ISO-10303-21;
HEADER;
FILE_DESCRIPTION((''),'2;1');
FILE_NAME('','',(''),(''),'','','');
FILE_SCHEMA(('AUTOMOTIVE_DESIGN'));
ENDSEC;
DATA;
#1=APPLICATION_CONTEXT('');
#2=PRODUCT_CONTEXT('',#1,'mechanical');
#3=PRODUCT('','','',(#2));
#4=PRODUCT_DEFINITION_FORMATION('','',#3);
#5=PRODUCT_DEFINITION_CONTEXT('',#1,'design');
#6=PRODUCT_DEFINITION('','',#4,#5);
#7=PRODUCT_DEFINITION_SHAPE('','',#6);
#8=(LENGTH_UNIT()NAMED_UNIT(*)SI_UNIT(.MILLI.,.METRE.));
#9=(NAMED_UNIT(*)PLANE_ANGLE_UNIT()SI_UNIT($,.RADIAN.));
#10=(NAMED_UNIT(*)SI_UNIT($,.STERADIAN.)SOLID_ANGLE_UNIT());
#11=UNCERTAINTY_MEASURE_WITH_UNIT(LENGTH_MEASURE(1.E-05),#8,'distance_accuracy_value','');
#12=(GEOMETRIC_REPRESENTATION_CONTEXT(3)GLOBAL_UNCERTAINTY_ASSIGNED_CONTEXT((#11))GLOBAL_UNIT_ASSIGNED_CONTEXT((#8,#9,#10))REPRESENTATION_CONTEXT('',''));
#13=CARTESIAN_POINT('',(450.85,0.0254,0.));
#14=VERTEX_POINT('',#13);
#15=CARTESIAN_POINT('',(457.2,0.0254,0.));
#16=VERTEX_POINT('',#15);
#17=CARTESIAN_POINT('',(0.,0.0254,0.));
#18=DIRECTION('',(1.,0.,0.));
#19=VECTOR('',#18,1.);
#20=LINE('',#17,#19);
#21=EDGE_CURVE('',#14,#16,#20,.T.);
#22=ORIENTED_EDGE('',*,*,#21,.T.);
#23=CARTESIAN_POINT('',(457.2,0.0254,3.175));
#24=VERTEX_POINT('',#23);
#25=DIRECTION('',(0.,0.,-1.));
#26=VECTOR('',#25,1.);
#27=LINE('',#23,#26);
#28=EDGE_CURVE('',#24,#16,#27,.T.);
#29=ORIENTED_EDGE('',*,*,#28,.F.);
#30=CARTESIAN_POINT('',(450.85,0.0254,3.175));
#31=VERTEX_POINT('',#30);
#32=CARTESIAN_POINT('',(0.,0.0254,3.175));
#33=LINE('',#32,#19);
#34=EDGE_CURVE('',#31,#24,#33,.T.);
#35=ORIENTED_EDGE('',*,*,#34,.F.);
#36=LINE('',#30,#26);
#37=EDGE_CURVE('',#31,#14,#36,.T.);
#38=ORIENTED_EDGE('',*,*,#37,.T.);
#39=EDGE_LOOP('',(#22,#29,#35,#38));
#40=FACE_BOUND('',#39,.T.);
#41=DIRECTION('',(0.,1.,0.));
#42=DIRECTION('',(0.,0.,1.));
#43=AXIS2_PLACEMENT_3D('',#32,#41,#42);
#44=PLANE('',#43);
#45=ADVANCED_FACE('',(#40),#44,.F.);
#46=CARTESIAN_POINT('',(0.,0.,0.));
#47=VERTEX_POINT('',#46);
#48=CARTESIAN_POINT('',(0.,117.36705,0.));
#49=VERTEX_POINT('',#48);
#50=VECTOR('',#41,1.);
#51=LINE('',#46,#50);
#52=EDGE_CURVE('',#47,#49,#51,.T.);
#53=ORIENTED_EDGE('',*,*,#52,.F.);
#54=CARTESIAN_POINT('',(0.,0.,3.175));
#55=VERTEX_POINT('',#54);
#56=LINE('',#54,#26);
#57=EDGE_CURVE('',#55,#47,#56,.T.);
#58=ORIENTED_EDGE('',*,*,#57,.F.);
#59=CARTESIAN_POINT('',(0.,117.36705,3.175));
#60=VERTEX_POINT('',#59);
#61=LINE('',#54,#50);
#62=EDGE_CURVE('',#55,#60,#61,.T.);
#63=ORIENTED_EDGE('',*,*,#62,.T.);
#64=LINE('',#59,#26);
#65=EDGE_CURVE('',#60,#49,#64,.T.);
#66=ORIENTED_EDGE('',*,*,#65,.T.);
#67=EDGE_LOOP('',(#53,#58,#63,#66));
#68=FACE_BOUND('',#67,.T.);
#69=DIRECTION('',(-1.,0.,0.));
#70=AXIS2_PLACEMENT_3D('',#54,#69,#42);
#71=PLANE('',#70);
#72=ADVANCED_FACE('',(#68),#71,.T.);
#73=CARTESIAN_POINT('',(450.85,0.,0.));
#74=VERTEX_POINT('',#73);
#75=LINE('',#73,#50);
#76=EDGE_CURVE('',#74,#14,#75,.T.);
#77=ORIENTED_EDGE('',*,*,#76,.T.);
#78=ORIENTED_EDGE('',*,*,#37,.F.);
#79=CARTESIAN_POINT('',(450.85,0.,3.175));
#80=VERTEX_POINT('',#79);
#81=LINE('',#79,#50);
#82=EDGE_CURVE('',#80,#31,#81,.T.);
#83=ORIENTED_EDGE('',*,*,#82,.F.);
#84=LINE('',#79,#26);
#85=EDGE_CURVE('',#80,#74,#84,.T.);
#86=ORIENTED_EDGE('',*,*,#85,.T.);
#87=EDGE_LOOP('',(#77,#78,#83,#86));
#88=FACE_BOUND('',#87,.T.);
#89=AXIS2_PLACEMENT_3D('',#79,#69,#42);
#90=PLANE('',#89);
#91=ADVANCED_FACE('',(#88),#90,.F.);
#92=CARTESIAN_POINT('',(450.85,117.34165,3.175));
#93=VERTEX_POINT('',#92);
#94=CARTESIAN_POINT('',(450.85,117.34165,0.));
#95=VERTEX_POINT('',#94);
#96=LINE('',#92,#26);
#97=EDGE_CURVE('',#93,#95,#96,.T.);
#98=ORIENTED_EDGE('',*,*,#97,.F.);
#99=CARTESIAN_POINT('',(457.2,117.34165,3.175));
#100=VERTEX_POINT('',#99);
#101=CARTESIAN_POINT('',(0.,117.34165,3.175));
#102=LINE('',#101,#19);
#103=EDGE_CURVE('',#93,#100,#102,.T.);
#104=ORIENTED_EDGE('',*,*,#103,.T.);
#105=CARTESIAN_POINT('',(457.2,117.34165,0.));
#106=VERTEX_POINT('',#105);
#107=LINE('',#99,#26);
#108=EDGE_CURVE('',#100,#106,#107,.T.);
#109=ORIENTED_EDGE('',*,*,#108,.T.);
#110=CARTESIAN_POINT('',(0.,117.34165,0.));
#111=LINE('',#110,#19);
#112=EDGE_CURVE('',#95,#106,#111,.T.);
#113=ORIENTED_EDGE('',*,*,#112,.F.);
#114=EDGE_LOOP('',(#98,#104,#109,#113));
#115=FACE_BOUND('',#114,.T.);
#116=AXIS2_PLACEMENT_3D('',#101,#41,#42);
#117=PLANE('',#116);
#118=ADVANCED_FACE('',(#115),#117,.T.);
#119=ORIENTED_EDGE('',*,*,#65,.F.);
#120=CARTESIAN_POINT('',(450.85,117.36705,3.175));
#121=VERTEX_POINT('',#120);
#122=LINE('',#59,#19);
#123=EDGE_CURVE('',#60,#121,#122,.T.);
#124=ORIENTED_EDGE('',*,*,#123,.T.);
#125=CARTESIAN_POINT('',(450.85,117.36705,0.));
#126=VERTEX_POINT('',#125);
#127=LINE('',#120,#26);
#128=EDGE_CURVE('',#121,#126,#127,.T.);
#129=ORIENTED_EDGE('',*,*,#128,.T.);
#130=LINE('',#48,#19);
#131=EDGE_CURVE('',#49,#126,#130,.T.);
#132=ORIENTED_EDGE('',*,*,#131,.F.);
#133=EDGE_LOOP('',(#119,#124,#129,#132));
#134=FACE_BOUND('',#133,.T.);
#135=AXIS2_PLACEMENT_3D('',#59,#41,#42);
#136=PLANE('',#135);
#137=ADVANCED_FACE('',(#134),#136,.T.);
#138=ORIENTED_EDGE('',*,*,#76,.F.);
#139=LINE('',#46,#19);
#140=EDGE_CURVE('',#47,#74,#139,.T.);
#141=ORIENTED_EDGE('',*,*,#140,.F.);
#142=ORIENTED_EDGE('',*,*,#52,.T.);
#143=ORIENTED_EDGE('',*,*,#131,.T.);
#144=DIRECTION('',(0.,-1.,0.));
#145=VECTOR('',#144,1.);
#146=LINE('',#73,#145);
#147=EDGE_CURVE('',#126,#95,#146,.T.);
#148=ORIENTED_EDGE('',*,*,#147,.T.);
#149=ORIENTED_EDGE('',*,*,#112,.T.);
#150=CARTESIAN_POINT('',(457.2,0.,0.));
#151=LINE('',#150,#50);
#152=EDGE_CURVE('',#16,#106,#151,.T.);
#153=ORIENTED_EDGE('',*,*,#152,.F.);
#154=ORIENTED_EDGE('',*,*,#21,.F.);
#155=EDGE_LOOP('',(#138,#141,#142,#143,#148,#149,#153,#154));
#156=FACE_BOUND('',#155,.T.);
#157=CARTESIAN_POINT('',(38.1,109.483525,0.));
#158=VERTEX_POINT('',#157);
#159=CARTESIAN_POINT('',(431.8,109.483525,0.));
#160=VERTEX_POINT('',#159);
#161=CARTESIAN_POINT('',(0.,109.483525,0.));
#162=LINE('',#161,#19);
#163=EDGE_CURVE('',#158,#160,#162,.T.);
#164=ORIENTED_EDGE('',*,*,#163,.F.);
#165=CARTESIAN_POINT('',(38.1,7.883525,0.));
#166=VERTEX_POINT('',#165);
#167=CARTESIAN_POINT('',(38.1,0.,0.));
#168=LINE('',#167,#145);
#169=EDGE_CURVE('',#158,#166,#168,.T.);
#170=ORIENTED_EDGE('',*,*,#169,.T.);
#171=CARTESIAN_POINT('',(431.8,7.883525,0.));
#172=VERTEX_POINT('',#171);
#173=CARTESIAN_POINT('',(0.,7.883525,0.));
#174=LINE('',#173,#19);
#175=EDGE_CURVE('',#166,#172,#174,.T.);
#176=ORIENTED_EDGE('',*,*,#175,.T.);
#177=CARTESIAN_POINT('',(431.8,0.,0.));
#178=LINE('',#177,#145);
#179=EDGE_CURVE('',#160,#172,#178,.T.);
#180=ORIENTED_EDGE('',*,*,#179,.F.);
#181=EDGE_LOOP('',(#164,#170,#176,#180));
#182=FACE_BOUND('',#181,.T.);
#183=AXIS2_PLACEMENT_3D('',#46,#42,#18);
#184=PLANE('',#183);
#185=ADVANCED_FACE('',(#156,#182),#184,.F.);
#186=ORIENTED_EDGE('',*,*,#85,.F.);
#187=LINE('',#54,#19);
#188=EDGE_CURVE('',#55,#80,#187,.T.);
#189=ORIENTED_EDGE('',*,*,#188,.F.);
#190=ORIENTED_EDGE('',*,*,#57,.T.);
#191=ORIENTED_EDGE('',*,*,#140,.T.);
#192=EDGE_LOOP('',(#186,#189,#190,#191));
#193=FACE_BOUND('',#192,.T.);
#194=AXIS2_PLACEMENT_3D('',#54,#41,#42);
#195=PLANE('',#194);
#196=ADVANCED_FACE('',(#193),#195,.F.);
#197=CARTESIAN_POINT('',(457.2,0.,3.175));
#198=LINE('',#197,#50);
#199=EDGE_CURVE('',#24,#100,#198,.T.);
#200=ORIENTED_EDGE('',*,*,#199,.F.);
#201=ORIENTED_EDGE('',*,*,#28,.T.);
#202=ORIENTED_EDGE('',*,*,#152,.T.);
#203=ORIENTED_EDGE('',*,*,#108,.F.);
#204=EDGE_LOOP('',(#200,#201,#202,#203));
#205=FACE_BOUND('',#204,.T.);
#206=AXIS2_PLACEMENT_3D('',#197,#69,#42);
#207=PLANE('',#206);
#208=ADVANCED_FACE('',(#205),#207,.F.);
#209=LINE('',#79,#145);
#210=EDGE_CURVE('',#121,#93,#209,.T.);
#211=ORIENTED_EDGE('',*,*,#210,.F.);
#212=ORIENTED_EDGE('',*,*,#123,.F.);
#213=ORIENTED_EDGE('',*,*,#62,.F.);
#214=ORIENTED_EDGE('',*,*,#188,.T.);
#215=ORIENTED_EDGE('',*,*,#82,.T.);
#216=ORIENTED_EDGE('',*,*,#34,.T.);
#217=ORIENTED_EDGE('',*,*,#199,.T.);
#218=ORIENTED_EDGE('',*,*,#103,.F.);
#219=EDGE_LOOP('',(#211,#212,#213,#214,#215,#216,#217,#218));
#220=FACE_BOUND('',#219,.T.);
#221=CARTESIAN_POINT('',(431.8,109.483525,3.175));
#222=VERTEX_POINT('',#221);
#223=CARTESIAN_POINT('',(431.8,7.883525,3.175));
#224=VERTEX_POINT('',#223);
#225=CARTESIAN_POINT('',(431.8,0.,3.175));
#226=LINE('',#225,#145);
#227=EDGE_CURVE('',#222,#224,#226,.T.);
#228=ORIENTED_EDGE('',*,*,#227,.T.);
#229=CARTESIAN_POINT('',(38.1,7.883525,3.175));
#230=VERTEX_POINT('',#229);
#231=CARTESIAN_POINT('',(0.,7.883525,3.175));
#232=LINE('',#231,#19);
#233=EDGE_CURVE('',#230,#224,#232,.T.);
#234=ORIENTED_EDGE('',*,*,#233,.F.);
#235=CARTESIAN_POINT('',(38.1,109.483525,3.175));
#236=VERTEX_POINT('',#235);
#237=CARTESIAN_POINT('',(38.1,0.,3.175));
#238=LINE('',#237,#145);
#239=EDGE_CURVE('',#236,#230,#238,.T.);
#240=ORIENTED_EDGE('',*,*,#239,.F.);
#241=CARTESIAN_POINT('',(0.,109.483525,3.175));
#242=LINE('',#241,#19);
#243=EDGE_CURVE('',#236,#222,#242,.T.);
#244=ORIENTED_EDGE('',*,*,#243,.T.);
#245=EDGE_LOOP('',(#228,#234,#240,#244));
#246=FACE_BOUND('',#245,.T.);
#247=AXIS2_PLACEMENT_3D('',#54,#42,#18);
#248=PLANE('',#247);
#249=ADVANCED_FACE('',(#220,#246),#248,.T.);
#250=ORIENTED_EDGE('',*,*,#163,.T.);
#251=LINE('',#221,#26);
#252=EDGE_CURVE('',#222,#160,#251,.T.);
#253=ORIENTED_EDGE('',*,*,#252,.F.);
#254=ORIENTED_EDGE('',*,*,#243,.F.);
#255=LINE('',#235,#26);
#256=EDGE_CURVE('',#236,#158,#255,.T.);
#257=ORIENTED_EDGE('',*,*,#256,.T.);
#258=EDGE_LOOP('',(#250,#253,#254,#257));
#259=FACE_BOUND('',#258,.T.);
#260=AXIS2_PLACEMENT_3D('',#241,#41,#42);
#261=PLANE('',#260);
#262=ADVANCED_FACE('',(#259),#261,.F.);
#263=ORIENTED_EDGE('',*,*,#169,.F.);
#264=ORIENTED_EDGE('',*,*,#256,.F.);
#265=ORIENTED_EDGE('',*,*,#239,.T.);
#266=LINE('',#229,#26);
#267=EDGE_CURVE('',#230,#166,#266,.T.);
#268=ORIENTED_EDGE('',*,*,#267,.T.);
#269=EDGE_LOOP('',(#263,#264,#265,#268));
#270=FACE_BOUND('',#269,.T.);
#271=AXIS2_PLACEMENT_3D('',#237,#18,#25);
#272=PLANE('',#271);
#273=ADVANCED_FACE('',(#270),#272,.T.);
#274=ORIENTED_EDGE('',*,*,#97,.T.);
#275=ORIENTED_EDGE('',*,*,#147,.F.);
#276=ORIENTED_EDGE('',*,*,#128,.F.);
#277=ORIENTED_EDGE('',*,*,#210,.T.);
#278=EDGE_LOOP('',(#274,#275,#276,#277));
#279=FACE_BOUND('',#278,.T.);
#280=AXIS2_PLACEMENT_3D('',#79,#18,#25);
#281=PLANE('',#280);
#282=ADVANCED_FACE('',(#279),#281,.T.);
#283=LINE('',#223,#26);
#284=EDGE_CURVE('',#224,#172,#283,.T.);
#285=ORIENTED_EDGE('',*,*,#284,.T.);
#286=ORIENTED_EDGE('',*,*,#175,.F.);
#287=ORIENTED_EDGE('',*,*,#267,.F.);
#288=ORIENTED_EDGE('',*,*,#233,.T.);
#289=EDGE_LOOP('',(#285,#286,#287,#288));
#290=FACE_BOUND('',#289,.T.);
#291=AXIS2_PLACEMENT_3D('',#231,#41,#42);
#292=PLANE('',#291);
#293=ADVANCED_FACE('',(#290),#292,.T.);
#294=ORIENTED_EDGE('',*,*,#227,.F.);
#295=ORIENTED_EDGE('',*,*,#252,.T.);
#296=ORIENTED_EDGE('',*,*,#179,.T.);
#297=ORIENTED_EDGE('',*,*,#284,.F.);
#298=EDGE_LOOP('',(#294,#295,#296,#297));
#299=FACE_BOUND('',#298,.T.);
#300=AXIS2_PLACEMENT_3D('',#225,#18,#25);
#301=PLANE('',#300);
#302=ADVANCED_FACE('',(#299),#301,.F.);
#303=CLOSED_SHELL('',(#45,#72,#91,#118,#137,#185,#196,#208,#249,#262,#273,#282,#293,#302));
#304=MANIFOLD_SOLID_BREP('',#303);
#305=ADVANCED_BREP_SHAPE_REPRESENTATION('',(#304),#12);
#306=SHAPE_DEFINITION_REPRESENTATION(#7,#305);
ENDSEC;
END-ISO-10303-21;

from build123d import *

# Parameters (mm, degrees)
BOSS_EXTRUDE1_DEPTH = 3.175


with BuildPart() as part:
    # Sketch1 → Boss-Extrude1 (new body)
    with BuildSketch(Plane.XY):
        Polygon((38.1, 58.683525), (0, 58.683525), (0, 0), (450.85, 0), (450.85, 0.0254), (457.2, 0.0254), (457.2, 58.683525), (431.8, 58.683525), (431.8, 7.883525), (38.1, 7.883525), align=None)
        Polygon((0, 117.36705), (0, 58.683525), (38.1, 58.683525), (38.1, 109.483525), (431.8, 109.483525), (431.8, 58.683525), (457.2, 58.683525), (457.2, 117.34165), (450.85, 117.34165), (450.85, 117.36705), align=None)
    extrude(amount=BOSS_EXTRUDE1_DEPTH)


solid = part.part
